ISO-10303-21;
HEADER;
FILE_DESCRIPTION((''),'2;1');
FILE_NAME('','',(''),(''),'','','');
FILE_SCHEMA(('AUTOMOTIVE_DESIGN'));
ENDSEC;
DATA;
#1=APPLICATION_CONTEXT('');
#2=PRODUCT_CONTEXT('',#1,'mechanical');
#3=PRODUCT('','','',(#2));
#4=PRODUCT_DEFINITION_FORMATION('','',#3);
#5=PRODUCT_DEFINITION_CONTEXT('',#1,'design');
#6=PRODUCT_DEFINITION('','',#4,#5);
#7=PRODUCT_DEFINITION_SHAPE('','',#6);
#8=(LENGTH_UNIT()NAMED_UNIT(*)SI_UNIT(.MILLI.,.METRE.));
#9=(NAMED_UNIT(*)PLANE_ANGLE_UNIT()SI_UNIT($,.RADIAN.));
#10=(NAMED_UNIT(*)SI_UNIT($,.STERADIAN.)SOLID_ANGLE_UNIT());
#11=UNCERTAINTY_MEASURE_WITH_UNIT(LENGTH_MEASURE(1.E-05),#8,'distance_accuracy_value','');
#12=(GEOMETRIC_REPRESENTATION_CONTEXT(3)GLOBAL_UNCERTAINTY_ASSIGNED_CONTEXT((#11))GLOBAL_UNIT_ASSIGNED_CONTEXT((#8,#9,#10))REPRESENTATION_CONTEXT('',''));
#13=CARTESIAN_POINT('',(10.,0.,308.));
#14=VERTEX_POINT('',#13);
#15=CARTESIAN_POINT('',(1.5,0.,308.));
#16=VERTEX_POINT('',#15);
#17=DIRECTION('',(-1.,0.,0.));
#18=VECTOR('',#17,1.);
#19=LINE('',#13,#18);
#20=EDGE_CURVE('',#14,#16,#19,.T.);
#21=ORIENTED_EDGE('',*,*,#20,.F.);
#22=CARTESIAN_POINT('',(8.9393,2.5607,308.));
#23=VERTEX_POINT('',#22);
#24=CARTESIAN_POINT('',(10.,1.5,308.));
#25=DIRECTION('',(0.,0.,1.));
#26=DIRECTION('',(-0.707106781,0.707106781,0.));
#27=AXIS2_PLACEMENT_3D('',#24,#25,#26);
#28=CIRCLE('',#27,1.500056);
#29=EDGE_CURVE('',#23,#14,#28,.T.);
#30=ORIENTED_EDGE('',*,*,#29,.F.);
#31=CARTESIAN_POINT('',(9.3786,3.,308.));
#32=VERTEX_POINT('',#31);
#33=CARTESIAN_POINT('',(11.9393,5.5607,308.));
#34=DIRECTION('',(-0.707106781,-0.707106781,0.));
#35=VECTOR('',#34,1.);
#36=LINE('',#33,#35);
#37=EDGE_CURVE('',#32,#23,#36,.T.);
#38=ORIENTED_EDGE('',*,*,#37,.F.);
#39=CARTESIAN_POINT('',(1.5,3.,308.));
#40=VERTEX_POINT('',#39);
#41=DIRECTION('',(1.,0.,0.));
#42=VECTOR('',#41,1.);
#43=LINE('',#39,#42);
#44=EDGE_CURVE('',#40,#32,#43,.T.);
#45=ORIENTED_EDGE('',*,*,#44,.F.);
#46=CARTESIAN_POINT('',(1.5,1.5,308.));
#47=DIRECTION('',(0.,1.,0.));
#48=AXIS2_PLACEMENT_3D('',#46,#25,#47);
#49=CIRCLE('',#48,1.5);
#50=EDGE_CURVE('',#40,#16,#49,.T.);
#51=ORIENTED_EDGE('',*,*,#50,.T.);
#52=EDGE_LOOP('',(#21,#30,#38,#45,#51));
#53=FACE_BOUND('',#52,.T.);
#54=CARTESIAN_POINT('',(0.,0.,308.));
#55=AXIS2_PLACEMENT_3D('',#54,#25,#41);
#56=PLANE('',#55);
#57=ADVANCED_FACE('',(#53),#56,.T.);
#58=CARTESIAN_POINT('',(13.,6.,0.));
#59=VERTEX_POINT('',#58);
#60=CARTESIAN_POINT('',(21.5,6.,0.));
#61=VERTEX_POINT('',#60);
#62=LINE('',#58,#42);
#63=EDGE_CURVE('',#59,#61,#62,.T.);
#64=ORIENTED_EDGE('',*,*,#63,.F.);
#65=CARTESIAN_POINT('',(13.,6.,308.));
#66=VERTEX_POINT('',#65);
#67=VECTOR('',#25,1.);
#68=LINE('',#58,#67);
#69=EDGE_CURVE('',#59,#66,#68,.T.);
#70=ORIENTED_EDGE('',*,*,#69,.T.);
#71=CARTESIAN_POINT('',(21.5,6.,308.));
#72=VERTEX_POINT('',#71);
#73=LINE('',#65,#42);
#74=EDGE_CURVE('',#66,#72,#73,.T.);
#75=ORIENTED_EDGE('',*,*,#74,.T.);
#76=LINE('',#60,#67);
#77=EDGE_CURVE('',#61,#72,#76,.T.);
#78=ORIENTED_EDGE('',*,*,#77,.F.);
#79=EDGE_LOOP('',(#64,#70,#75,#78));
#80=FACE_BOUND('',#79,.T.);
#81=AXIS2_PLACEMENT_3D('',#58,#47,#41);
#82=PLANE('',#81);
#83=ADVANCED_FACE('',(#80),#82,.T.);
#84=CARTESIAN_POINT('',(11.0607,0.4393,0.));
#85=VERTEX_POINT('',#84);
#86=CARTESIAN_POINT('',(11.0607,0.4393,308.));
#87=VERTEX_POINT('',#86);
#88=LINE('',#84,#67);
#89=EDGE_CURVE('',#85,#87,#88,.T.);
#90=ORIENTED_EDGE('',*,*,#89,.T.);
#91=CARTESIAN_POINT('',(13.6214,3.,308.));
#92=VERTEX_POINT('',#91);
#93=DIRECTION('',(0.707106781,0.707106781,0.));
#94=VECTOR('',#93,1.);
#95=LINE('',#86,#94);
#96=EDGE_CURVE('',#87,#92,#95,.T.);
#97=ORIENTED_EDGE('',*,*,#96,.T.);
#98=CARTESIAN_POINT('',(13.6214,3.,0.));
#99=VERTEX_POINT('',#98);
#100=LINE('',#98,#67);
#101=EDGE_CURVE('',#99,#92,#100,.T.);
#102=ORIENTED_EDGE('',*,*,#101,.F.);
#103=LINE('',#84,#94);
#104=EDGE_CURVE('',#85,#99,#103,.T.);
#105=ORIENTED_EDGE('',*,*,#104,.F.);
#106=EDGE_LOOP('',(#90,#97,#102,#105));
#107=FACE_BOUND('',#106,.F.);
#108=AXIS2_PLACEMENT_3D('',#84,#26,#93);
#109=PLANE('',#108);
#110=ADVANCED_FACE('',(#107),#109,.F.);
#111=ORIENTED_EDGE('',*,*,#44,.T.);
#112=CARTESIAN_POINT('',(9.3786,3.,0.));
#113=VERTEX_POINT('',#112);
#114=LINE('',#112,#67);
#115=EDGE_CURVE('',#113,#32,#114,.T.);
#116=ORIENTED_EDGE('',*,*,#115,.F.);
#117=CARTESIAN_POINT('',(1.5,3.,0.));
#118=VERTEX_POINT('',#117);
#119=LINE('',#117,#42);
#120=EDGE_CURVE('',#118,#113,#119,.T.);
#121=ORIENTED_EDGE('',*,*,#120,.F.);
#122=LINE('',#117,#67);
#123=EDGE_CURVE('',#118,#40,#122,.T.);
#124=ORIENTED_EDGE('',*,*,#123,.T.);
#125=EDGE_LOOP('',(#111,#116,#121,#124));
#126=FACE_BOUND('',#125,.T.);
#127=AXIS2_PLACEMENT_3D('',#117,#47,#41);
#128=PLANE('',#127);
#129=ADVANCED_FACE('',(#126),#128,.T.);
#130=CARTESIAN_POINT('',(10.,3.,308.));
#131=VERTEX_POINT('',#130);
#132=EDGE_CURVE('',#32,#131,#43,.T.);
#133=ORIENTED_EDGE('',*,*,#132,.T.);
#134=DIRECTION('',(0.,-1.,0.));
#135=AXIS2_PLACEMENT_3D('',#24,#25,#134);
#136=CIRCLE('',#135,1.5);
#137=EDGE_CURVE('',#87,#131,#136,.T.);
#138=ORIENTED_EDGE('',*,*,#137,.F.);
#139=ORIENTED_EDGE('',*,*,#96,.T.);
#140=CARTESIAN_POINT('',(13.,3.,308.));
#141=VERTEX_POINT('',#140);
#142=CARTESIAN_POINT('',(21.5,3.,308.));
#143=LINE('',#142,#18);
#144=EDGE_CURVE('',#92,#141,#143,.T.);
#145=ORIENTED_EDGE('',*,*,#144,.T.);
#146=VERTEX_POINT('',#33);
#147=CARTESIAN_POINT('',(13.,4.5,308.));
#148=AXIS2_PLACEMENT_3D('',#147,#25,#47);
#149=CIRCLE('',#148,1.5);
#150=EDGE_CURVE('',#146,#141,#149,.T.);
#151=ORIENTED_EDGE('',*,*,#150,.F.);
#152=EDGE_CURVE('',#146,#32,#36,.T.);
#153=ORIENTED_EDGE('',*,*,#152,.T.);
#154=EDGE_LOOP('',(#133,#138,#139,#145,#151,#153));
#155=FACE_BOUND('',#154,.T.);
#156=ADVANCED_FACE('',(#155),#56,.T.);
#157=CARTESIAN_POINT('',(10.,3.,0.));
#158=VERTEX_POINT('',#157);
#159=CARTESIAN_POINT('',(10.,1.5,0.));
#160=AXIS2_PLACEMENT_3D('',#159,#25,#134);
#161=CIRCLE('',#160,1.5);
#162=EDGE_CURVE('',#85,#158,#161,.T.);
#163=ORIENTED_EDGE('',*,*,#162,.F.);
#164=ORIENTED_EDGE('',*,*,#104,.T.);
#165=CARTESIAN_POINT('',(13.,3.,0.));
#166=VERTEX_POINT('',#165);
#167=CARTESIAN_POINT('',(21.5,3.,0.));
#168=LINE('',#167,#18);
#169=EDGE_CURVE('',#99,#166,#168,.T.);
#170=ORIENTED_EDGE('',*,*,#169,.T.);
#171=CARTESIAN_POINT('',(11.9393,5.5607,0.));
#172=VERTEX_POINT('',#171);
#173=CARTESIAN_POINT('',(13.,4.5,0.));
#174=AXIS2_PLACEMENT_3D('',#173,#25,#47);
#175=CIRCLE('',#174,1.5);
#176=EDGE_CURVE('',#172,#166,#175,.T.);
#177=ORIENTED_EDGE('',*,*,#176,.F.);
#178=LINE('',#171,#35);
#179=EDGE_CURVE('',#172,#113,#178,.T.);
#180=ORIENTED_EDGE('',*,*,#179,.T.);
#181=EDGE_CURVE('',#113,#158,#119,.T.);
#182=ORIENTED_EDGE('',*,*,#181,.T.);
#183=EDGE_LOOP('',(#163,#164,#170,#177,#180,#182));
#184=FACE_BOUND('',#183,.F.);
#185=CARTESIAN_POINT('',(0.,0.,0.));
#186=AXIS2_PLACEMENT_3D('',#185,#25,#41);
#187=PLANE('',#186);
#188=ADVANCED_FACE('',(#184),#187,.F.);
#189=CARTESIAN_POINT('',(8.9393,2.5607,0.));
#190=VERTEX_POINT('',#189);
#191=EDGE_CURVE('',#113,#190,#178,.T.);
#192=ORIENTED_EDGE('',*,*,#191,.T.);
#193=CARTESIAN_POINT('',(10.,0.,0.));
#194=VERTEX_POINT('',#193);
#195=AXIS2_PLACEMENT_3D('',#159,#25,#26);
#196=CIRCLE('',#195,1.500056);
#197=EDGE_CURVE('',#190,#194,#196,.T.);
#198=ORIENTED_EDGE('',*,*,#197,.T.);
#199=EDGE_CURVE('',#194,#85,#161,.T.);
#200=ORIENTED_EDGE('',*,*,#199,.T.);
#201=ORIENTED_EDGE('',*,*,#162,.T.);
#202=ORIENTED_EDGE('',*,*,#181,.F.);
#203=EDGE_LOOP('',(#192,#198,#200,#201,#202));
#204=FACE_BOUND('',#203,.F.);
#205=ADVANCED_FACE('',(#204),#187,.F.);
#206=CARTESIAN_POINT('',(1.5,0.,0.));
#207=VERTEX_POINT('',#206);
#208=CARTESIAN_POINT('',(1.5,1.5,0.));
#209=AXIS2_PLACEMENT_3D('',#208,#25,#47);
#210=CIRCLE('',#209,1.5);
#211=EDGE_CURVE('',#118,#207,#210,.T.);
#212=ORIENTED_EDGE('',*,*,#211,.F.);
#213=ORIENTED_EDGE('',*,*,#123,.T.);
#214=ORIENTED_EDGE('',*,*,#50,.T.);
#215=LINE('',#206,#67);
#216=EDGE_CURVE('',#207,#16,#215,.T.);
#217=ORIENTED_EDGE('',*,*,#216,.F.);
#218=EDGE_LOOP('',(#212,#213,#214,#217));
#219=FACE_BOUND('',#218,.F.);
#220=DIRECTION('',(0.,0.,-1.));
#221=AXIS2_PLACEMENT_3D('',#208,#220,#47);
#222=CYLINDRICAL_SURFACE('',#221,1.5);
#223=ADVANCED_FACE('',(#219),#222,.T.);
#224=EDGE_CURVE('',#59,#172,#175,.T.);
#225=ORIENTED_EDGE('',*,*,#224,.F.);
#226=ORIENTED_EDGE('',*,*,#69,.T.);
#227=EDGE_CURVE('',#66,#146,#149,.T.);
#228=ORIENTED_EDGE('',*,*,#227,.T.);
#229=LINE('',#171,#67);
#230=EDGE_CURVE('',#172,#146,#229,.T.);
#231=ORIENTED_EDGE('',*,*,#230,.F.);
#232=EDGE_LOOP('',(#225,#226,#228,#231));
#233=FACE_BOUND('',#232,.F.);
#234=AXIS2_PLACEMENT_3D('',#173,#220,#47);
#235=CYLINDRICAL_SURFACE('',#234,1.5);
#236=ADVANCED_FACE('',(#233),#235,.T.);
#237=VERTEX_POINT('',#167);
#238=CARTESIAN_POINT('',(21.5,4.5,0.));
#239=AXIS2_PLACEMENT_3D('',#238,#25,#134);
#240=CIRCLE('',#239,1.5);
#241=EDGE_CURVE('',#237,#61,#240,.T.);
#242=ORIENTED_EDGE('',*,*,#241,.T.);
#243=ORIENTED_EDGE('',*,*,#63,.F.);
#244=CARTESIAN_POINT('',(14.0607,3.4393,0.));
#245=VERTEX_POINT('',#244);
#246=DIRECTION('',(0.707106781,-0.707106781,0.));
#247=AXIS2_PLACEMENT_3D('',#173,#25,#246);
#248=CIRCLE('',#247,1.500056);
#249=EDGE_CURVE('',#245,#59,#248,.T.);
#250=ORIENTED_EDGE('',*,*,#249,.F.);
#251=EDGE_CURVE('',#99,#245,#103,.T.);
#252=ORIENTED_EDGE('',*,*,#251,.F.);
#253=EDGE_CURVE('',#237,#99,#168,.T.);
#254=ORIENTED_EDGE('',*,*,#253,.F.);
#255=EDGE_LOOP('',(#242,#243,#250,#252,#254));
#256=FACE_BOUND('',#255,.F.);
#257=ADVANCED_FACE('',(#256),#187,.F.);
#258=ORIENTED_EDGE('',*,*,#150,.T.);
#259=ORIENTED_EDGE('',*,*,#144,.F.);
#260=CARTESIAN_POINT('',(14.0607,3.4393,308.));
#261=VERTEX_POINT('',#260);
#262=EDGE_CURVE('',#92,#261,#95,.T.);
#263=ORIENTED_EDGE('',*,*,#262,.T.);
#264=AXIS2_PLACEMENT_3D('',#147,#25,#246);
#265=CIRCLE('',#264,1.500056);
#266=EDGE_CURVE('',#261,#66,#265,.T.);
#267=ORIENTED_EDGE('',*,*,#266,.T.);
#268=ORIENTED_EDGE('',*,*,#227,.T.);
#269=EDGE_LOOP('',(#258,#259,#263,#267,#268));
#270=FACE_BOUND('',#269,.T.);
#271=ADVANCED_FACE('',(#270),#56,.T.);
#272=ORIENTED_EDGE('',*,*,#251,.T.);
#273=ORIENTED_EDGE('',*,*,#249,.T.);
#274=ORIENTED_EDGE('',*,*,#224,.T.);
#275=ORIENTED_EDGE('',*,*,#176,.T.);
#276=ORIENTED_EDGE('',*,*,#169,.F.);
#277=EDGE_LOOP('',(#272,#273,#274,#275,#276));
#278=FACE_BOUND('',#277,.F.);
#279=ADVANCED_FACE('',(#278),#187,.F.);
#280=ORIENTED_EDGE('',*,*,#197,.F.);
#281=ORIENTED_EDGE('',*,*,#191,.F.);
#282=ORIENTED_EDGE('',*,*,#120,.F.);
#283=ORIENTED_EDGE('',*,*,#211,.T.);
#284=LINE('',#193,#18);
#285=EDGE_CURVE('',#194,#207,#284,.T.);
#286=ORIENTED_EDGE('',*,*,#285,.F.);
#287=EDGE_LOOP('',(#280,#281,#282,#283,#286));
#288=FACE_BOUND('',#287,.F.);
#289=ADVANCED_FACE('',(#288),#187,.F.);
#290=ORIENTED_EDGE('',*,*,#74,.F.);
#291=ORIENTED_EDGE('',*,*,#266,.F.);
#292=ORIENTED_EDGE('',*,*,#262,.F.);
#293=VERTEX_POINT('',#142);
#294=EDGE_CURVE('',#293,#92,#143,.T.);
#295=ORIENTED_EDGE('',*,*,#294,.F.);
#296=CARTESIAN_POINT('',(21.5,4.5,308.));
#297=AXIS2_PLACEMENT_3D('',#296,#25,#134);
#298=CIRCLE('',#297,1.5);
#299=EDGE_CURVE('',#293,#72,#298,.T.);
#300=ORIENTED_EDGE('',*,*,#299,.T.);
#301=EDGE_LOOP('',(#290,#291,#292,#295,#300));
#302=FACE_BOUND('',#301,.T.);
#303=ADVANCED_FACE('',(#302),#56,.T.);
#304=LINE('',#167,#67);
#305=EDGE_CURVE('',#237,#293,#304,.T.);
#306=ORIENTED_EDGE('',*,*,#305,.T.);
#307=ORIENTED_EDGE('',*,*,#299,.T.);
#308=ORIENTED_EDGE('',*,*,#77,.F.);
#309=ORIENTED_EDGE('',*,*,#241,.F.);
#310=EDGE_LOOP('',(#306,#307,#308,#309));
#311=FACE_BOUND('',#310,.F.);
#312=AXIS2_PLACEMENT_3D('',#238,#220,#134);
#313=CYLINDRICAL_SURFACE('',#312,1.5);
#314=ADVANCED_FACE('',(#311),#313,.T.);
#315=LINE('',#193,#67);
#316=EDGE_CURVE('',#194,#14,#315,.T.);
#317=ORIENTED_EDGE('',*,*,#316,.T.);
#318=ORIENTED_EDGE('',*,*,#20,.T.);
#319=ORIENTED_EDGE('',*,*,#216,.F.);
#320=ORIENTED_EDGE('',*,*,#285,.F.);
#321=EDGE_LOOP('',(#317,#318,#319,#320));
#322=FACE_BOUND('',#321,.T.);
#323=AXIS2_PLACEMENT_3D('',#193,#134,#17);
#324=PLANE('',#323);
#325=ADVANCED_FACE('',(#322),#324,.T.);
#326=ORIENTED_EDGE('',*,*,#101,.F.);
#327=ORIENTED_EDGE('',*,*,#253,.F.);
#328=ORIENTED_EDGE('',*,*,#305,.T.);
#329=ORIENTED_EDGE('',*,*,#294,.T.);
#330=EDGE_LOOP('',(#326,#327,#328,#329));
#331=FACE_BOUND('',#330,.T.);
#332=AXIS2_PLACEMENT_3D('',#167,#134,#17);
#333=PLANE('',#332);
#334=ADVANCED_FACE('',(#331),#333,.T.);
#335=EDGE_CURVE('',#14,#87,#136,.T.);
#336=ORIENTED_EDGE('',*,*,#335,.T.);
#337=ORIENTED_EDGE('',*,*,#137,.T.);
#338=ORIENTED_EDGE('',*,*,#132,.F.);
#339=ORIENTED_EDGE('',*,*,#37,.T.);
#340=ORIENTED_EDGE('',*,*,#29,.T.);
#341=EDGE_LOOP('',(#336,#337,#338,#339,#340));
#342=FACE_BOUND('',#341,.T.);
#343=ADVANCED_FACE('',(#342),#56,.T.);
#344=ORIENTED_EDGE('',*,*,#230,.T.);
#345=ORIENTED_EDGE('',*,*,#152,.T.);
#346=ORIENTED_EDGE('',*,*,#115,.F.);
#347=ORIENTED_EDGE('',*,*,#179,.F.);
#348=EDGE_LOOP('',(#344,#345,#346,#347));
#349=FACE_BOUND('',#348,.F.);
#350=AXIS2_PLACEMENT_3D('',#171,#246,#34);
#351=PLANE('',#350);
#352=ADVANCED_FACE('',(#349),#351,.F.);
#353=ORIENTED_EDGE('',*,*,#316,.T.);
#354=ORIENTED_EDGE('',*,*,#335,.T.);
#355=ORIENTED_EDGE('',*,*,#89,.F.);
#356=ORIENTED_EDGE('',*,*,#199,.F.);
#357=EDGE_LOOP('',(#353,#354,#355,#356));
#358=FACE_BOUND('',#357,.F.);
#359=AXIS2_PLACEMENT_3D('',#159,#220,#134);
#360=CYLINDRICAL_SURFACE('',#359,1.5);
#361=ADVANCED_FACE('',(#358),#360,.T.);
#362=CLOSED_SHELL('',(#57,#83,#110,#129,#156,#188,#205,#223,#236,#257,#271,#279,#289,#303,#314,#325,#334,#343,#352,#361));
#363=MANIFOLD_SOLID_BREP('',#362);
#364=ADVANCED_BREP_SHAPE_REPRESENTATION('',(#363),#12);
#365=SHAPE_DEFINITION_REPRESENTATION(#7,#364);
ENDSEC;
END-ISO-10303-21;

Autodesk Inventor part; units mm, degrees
ref_plane "YZ Plane" through (0, 0, 0) normal (1, 0, 0) x (0, 1, 0)
ref_plane "XZ Plane" through (0, 0, 0) normal (0, 1, 0) x (-1, 0, 0)
ref_plane "XY Plane" through (0, 0, 0) normal (0, 0, 1) x (1, 0, 0)
sketch "Sketch1" plane through (0, 0, 0) normal (0, 0, 1) x (1, 0, 0)
  line L0 (0, 0) -> (23, 0) construction
  line L1 (23, 0) -> (23, 6) construction
  line L2 (23, 6) -> (0, 6) construction
  line L3 (0, 6) -> (0, 0) construction
  line L4 (0, 3) -> (23, 3) construction
  line L5 (11.5, 0) -> (11.5, 3) construction
  line L6 (11.5, 3) -> (11.5, 6) construction
  line L7 (11.5, 1.5) -> (0, 1.5) construction
  line L8 (11.5, 4.5) -> (23, 4.5) construction
  line L9 (0, 1.5) -> (11.5, 1.5) construction
  line L10 (1.5, 3) -> (10, 3)
  line L11 (10, 0) -> (1.5, 0)
  arc A0 (1.5, 3) -> (1.5, 0) centre (1.5, 1.5) ccw
  arc A1 (10, 0) -> (10, 3) centre (10, 1.5) ccw
  line L12 (11.5, 4.5) -> (23, 4.5) construction
  line L13 (13, 6) -> (21.5, 6)
  line L14 (21.5, 3) -> (13, 3)
  arc A2 (13, 6) -> (13, 3) centre (13, 4.5) ccw
  arc A3 (21.5, 3) -> (21.5, 6) centre (21.5, 4.5) ccw
  line L15 (10, 1.5) -> (13, 4.5) construction
  line L16 (11.0607, 0.4393) -> (14.0607, 3.4393)
  line L17 (11.9393, 5.5607) -> (8.9393, 2.5607)
  arc A4 (8.9393, 2.5607) -> (11.0607, 0.4393) centre (10, 1.5) ccw
  arc A5 (14.0607, 3.4393) -> (11.9393, 5.5607) centre (13, 4.5) ccw
  point P0 (5.75, 1.5)
  point P1 (17.25, 4.5)
  point P2 (11.5, 3)
  point P3 (9.3787, 3)
  point P4 (13.6213, 3)
  dimension "d6" = 23
  dimension "d7" = 6
  dimension "d8" = 3
extrude "Extrusion1" add sketch "Sketch1" along normal blind 308
properties part number "Door Seal" material "Rubber"
